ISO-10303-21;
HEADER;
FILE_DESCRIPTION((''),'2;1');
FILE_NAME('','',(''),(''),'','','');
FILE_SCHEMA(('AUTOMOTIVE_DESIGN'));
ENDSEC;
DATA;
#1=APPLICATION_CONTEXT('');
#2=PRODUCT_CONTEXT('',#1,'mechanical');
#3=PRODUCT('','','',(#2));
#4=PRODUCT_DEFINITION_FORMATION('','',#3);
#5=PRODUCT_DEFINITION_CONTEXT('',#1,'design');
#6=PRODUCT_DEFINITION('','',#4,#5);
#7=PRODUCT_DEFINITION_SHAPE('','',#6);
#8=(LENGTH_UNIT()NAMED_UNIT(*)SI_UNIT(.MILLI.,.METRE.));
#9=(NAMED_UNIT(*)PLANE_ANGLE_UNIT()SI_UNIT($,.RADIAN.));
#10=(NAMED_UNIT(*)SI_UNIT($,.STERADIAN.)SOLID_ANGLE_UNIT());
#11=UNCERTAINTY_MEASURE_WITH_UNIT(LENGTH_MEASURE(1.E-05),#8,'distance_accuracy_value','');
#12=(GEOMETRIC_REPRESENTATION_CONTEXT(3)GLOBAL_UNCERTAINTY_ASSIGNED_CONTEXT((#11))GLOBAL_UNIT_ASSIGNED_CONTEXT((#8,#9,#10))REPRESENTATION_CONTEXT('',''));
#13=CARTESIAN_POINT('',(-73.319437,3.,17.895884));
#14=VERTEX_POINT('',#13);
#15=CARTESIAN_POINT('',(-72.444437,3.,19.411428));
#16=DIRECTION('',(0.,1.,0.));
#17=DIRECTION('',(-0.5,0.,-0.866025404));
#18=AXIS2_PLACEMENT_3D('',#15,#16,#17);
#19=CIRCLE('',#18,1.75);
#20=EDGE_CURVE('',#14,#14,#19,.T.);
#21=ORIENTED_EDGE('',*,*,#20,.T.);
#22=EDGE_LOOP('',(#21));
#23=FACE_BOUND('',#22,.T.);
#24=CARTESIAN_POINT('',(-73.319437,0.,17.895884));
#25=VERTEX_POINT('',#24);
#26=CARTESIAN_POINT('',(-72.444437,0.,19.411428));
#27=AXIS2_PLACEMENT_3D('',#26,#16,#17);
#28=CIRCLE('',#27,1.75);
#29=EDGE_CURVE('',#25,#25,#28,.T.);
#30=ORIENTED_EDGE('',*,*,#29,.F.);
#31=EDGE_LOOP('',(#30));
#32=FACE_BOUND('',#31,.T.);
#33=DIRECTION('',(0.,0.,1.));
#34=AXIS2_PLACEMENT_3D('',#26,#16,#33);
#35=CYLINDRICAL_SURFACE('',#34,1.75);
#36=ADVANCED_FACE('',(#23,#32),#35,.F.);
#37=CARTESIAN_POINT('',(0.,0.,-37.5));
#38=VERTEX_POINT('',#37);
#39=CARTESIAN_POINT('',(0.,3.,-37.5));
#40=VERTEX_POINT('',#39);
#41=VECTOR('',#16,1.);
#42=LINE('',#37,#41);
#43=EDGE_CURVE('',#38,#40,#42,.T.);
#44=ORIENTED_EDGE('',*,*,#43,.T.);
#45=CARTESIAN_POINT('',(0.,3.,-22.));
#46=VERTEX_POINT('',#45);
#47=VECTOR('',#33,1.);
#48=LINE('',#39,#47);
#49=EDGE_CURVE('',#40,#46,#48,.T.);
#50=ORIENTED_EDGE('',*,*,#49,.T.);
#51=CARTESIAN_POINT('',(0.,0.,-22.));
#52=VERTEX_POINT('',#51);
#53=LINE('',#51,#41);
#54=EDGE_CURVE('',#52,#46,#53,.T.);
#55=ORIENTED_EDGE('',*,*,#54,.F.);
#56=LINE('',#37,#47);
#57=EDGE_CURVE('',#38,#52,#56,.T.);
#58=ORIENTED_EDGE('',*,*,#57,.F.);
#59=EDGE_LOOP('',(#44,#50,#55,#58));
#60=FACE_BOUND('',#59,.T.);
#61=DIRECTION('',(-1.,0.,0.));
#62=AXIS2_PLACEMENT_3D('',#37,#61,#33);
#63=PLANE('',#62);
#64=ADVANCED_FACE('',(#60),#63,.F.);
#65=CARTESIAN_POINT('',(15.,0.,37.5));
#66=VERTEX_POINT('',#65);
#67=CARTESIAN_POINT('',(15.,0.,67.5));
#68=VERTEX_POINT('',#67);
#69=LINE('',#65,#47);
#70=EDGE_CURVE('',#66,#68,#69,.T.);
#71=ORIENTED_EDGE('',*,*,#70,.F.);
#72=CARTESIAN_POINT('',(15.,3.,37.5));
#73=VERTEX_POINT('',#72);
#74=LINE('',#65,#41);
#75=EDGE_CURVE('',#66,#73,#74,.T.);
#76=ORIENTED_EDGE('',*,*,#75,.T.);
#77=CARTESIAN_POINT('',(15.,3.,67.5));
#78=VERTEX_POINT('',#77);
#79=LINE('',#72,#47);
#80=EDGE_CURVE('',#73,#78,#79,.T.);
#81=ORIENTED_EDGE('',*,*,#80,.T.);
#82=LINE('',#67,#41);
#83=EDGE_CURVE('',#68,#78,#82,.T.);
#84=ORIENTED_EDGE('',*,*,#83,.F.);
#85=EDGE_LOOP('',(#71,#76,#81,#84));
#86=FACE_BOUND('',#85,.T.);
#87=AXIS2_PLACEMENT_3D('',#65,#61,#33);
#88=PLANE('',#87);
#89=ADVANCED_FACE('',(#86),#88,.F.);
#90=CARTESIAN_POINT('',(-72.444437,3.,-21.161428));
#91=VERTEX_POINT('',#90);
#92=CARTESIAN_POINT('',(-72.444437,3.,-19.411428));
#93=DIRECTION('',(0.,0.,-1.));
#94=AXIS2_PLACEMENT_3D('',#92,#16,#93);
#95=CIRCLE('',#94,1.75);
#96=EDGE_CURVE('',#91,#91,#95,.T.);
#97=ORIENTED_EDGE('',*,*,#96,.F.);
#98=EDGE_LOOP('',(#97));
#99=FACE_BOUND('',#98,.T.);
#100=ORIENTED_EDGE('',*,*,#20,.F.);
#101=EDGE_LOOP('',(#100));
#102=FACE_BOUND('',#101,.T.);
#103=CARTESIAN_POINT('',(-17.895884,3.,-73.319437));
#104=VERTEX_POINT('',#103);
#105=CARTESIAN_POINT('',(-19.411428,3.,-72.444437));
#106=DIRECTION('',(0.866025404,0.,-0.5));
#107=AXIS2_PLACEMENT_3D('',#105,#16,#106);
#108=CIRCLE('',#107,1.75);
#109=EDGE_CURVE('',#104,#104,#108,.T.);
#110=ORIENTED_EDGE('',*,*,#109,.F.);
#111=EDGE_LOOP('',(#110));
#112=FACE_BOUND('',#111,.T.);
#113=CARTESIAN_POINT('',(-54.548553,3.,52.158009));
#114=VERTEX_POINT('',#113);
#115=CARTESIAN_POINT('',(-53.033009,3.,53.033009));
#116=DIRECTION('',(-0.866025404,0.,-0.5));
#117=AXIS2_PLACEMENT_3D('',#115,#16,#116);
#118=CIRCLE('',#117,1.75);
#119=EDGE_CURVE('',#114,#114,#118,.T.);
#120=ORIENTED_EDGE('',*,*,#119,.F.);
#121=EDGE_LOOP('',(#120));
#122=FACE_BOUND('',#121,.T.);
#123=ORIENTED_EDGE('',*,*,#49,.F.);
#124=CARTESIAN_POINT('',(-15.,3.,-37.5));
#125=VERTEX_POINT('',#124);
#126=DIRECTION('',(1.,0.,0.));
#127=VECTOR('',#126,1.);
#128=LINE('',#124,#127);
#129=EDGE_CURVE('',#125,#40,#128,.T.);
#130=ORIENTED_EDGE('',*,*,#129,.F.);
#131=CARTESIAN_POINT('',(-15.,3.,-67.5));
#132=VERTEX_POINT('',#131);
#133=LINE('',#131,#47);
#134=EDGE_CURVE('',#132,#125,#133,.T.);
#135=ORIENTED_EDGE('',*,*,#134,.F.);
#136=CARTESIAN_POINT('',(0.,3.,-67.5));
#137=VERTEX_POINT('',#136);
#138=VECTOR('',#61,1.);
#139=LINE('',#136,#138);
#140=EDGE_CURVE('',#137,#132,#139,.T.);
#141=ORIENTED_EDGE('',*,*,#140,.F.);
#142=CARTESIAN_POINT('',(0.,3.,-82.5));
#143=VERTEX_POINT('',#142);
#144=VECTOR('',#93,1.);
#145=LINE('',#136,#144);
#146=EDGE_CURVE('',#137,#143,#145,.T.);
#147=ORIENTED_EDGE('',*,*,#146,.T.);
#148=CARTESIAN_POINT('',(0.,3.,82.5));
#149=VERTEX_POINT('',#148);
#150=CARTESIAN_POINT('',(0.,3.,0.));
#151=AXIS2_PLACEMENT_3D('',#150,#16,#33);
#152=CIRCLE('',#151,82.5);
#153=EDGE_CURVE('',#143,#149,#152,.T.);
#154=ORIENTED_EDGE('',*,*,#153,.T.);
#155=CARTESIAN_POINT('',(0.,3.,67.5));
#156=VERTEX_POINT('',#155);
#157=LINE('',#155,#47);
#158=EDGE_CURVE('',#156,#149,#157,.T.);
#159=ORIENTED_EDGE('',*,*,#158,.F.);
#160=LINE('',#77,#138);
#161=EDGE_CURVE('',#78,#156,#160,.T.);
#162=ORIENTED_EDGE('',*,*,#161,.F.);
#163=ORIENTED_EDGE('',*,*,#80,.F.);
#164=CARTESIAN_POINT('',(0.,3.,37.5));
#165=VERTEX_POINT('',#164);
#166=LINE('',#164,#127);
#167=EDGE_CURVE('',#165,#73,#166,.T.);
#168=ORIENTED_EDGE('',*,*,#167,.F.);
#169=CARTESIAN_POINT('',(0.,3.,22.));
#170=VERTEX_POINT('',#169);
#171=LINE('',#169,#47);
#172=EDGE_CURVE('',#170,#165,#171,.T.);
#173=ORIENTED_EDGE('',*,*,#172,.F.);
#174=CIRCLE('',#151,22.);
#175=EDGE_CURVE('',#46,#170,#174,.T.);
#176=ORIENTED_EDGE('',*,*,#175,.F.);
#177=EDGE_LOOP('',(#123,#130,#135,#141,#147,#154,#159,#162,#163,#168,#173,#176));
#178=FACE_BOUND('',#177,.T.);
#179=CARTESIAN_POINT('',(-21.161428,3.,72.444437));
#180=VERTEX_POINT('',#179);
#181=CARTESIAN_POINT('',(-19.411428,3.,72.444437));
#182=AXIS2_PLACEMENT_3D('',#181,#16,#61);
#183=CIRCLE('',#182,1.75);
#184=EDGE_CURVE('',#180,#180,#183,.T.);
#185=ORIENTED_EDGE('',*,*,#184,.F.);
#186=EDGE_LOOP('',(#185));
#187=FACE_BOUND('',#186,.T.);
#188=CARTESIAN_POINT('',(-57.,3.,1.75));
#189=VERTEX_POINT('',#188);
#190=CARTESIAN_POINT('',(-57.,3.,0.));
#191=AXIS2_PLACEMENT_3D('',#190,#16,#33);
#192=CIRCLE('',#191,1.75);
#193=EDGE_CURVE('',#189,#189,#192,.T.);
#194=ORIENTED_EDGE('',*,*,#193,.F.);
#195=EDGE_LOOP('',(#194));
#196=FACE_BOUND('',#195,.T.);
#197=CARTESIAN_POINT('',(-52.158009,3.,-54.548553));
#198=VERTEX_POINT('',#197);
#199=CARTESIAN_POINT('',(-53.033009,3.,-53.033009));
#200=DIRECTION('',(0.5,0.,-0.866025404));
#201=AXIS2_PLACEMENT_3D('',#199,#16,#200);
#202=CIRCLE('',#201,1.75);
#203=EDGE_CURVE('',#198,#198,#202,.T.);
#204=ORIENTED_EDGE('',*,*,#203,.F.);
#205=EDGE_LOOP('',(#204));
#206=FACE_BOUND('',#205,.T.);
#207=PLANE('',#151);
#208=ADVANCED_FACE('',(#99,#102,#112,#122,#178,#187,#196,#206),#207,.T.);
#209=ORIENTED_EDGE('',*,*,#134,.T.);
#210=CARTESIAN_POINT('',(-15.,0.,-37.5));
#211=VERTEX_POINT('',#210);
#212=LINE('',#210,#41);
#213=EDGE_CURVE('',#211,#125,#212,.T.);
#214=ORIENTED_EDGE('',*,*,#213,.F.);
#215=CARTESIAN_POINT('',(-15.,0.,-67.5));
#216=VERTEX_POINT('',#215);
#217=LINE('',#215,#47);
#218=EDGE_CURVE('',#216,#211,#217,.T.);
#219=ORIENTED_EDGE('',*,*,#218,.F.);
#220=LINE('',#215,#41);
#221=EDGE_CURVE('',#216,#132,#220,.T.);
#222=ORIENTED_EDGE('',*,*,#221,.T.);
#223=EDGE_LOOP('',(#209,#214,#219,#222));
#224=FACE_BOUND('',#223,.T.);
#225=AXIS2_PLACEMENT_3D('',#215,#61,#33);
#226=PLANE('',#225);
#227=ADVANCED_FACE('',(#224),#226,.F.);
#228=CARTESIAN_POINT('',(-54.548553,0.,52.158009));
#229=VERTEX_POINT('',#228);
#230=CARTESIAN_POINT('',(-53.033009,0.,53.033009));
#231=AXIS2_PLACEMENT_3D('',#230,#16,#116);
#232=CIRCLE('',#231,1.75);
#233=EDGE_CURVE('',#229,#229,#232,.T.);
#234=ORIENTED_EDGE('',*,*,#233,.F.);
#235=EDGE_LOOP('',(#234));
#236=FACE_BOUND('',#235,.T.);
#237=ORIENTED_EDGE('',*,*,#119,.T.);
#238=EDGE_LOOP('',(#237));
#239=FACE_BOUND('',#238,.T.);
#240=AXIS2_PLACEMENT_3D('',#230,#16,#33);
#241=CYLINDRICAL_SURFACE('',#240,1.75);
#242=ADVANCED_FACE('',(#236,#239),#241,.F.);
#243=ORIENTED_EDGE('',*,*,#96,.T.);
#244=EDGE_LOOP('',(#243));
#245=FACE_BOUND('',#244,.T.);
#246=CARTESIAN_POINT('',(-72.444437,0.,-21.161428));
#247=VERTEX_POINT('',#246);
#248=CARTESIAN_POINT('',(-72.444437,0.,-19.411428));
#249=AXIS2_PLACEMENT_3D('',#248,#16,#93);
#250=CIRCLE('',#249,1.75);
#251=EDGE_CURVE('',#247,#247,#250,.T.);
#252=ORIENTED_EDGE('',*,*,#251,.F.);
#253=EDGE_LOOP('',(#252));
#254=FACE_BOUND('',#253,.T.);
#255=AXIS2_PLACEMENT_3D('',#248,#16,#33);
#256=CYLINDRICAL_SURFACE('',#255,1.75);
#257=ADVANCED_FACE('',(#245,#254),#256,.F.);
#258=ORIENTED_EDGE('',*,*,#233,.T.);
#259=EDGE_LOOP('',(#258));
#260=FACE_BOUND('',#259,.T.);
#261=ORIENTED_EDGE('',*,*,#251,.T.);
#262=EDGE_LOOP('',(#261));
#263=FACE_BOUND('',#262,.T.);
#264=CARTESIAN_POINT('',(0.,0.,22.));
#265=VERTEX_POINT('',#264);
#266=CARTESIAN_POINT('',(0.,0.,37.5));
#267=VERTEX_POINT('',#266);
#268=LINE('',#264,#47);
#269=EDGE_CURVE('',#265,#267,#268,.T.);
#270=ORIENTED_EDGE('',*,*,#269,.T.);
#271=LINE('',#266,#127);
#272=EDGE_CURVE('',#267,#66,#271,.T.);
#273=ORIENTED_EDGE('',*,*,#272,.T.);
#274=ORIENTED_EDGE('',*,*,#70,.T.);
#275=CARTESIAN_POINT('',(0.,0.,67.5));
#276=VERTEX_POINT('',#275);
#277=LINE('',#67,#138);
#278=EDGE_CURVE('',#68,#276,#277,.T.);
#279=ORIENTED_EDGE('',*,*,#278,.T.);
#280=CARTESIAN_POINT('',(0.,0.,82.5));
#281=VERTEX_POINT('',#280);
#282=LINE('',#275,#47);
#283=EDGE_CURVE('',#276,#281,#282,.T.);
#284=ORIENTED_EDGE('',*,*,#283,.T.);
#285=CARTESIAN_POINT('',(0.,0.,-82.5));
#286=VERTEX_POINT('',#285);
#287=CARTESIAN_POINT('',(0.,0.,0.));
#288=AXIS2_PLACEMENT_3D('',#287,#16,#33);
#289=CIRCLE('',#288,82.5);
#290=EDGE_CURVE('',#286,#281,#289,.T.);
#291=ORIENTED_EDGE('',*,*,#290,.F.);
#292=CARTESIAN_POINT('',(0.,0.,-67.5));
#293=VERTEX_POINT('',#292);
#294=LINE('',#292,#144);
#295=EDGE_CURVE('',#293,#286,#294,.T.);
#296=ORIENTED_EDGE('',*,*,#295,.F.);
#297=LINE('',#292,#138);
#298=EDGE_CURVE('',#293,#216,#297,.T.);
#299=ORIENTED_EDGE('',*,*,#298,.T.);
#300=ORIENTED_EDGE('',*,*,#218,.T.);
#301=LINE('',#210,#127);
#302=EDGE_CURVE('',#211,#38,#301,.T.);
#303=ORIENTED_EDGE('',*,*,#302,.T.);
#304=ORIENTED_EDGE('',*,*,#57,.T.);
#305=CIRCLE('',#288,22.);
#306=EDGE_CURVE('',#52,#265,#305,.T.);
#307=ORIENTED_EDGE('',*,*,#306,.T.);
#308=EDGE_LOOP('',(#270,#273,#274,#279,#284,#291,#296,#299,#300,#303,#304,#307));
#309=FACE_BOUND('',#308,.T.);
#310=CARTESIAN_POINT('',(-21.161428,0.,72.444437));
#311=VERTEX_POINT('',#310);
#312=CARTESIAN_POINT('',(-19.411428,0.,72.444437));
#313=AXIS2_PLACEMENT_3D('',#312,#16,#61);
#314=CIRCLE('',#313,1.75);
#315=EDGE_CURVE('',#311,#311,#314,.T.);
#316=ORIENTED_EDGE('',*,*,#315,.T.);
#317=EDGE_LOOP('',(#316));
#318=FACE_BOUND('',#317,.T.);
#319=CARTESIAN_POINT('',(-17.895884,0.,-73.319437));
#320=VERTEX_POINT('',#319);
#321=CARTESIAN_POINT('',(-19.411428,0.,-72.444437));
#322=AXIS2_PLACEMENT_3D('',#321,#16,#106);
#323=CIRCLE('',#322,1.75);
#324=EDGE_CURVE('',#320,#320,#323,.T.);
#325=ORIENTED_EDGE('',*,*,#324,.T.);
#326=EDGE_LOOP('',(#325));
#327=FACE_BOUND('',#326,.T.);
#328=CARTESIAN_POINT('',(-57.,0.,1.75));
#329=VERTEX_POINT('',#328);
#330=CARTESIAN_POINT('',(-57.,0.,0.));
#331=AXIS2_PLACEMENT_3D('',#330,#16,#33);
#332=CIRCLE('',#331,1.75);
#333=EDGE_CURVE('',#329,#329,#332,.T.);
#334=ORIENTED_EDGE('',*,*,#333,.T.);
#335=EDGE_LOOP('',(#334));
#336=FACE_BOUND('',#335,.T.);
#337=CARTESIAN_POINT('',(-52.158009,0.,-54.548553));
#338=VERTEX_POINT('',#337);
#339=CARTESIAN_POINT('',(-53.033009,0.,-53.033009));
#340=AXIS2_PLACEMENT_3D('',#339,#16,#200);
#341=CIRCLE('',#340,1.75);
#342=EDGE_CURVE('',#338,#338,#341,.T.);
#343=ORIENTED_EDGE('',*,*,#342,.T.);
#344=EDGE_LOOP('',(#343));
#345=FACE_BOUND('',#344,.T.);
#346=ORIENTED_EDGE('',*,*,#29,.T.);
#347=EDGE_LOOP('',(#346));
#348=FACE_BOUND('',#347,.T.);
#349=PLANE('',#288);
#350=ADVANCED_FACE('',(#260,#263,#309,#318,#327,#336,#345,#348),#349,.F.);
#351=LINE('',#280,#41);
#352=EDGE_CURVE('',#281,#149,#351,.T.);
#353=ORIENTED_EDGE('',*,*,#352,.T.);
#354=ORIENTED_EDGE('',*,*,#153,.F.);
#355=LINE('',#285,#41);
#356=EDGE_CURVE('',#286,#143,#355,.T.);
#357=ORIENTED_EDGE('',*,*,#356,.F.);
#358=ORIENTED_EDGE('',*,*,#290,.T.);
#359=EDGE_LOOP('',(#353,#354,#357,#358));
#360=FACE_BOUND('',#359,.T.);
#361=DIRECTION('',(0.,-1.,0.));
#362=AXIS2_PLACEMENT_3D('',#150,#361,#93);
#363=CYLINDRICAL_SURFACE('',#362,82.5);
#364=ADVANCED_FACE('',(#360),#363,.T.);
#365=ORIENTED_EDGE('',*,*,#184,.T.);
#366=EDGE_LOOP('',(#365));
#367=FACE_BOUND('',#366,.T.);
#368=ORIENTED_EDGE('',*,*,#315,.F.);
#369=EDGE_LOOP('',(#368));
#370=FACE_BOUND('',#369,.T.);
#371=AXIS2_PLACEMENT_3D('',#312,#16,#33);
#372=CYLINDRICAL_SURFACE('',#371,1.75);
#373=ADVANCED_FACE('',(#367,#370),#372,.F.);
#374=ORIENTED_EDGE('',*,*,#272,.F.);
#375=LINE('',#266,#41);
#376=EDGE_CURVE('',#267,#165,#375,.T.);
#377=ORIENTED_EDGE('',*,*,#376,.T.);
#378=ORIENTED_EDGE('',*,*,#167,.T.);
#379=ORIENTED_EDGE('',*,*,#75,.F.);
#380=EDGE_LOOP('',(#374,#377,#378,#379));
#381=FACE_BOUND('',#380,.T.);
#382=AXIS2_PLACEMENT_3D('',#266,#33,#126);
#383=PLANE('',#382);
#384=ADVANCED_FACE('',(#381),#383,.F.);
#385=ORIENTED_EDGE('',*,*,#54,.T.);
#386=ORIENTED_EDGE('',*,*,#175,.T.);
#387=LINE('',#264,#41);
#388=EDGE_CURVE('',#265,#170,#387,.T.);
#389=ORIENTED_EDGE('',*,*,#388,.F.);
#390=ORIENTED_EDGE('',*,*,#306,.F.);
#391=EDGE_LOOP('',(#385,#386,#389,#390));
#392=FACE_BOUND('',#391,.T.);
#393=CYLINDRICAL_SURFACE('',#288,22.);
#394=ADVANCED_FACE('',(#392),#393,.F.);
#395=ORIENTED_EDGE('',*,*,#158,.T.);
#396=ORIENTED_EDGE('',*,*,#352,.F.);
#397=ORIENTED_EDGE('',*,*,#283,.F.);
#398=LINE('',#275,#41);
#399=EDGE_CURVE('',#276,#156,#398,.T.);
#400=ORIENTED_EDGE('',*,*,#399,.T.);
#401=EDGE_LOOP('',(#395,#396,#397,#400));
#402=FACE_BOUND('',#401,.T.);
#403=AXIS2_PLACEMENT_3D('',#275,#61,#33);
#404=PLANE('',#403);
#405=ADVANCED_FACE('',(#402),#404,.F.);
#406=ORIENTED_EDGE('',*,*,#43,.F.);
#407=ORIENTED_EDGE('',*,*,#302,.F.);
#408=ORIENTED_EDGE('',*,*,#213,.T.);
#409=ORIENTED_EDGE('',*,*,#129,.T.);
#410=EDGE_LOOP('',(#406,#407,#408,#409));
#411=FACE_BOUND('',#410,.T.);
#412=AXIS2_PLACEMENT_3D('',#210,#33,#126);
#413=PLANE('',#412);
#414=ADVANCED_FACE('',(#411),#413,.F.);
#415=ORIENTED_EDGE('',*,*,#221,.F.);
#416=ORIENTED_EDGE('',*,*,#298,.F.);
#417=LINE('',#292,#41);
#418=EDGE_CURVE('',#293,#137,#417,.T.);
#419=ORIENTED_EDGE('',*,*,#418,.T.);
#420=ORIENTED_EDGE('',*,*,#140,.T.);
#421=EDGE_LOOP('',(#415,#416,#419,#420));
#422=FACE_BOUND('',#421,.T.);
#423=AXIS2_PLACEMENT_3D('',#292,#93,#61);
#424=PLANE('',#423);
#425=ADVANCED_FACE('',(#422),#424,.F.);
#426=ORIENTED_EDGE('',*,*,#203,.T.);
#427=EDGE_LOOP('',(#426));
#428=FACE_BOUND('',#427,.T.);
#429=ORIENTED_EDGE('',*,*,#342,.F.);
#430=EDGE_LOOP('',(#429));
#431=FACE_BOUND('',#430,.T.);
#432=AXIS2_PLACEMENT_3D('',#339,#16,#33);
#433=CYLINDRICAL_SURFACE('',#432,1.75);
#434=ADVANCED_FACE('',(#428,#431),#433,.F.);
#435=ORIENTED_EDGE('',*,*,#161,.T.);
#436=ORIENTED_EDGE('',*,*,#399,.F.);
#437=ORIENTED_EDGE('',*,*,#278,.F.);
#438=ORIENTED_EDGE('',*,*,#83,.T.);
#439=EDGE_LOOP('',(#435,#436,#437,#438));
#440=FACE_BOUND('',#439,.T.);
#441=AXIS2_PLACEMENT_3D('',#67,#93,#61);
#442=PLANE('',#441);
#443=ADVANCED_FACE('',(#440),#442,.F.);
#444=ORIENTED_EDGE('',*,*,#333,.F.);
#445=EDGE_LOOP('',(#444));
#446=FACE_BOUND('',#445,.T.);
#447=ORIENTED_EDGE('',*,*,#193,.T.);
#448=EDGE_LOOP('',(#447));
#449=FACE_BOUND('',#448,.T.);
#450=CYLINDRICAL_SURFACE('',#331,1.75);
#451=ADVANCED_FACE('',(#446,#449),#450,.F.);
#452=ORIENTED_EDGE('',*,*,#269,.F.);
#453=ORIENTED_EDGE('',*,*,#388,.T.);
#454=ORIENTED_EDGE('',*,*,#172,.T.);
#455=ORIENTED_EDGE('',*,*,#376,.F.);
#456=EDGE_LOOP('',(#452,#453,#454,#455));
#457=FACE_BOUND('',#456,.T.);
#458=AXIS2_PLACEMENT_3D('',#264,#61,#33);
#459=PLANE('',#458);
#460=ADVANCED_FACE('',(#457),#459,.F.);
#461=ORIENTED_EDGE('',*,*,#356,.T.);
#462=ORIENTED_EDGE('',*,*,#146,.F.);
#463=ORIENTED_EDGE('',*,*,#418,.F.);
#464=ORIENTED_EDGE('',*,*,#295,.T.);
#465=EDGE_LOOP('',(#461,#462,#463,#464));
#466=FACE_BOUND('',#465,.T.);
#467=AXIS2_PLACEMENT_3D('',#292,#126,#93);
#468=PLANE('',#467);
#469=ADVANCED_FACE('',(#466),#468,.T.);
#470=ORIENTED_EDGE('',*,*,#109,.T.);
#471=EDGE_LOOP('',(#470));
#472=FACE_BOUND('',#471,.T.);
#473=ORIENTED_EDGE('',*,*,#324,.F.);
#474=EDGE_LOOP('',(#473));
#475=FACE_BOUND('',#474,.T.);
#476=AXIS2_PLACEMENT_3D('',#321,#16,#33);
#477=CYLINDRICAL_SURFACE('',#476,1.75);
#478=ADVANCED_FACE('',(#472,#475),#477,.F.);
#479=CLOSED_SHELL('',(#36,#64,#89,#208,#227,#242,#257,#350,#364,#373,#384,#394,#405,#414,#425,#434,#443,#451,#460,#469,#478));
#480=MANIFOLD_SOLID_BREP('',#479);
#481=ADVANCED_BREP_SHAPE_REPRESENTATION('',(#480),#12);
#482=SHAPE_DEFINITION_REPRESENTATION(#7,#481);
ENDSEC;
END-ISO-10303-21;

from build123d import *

# Parameters (mm, degrees)
SKETCH1_R           = 82.5
BOSS_EXTRUDE1_DEPTH = 3
SKETCH2_R           = 1.75
SKETCH2_R_2         = 22
CUT_EXTRUDE1_DEPTH  = 3
SKETCH3_R           = 1.75
CUT_EXTRUDE2_DEPTH  = 117.711181984
CIRPATTERN1_COUNT   = 12
CUT_EXTRUDE3_DEPTH  = 3


with BuildPart() as part:
    # Sketch1 → Boss-Extrude1 (new body)
    with BuildSketch(Plane(origin=(0, 0, 0), x_dir=(1, 0, 0), z_dir=(0, 1, 0))):
        with Locations(Location((0, 0, 0), (0, 0, 270))):
            Circle(SKETCH1_R)
    extrude(amount=BOSS_EXTRUDE1_DEPTH)

    # Sketch2 → Cut-Extrude1 (cut)
    with BuildSketch(Plane(origin=(0, 3, 0), x_dir=(1, 0, 0), z_dir=(0, 1, 0))):
        with Locations(Location((57, 0, 0), (0, 0, 270))):
            Circle(SKETCH2_R)
        with Locations(Location((0, 0, 0), (0, 0, 270))):
            Circle(SKETCH2_R_2)
        with Locations(Location((-57, 0, 0), (0, 0, 270))):
            Circle(SKETCH2_R)
    extrude(amount=-CUT_EXTRUDE1_DEPTH, mode=Mode.SUBTRACT)

    # Sketch3 → Cut-Extrude2 (cut, through all)
    with BuildSketch(Plane(origin=(0, 3, 0), x_dir=(1, 0, 0), z_dir=(0, 1, 0))):
        with Locations(Location((72.444436972, -19.411428383, 0), (0, 0, 270))):
            Circle(SKETCH3_R)
    cut_extrude2 = extrude(amount=-CUT_EXTRUDE2_DEPTH, mode=Mode.SUBTRACT)

    # CirPattern1: Cut-Extrude2 ×12 about axis
    cirpattern1_axis = Axis((0, 0, 0), (0, 1, 0))
    for i in range(1, CIRPATTERN1_COUNT):
        add(cut_extrude2.rotate(cirpattern1_axis, i * 360 / CIRPATTERN1_COUNT), mode=Mode.SUBTRACT)

    # Sketch4 → Cut-Extrude3 (cut)
    with BuildSketch(Plane(origin=(0, 3, 0), x_dir=(1, 0, 0), z_dir=(0, 1, 0))):
        with BuildLine():
            Line((0, 67.5), (-15, 67.5))
            Line((-15, 67.5), (-15, 37.5))
            Line((-15, 37.5), (0, 37.5))
            Line((0, 37.5), (0, 22))
            ThreePointArc((0, 22), (22, 0), (0, -22))
            Line((0, -22), (0, -37.5))
            Line((0, -37.5), (15, -37.5))
            Line((15, -37.5), (15, -67.5))
            Line((15, -67.5), (0, -67.5))
            Line((0, -67.5), (0, -82.5))
            ThreePointArc((0, -82.5), (82.5, 0), (0, 82.5))
            Line((0, 82.5), (0, 67.5))
        make_face()
    extrude(amount=-CUT_EXTRUDE3_DEPTH, mode=Mode.SUBTRACT)


solid = part.part
